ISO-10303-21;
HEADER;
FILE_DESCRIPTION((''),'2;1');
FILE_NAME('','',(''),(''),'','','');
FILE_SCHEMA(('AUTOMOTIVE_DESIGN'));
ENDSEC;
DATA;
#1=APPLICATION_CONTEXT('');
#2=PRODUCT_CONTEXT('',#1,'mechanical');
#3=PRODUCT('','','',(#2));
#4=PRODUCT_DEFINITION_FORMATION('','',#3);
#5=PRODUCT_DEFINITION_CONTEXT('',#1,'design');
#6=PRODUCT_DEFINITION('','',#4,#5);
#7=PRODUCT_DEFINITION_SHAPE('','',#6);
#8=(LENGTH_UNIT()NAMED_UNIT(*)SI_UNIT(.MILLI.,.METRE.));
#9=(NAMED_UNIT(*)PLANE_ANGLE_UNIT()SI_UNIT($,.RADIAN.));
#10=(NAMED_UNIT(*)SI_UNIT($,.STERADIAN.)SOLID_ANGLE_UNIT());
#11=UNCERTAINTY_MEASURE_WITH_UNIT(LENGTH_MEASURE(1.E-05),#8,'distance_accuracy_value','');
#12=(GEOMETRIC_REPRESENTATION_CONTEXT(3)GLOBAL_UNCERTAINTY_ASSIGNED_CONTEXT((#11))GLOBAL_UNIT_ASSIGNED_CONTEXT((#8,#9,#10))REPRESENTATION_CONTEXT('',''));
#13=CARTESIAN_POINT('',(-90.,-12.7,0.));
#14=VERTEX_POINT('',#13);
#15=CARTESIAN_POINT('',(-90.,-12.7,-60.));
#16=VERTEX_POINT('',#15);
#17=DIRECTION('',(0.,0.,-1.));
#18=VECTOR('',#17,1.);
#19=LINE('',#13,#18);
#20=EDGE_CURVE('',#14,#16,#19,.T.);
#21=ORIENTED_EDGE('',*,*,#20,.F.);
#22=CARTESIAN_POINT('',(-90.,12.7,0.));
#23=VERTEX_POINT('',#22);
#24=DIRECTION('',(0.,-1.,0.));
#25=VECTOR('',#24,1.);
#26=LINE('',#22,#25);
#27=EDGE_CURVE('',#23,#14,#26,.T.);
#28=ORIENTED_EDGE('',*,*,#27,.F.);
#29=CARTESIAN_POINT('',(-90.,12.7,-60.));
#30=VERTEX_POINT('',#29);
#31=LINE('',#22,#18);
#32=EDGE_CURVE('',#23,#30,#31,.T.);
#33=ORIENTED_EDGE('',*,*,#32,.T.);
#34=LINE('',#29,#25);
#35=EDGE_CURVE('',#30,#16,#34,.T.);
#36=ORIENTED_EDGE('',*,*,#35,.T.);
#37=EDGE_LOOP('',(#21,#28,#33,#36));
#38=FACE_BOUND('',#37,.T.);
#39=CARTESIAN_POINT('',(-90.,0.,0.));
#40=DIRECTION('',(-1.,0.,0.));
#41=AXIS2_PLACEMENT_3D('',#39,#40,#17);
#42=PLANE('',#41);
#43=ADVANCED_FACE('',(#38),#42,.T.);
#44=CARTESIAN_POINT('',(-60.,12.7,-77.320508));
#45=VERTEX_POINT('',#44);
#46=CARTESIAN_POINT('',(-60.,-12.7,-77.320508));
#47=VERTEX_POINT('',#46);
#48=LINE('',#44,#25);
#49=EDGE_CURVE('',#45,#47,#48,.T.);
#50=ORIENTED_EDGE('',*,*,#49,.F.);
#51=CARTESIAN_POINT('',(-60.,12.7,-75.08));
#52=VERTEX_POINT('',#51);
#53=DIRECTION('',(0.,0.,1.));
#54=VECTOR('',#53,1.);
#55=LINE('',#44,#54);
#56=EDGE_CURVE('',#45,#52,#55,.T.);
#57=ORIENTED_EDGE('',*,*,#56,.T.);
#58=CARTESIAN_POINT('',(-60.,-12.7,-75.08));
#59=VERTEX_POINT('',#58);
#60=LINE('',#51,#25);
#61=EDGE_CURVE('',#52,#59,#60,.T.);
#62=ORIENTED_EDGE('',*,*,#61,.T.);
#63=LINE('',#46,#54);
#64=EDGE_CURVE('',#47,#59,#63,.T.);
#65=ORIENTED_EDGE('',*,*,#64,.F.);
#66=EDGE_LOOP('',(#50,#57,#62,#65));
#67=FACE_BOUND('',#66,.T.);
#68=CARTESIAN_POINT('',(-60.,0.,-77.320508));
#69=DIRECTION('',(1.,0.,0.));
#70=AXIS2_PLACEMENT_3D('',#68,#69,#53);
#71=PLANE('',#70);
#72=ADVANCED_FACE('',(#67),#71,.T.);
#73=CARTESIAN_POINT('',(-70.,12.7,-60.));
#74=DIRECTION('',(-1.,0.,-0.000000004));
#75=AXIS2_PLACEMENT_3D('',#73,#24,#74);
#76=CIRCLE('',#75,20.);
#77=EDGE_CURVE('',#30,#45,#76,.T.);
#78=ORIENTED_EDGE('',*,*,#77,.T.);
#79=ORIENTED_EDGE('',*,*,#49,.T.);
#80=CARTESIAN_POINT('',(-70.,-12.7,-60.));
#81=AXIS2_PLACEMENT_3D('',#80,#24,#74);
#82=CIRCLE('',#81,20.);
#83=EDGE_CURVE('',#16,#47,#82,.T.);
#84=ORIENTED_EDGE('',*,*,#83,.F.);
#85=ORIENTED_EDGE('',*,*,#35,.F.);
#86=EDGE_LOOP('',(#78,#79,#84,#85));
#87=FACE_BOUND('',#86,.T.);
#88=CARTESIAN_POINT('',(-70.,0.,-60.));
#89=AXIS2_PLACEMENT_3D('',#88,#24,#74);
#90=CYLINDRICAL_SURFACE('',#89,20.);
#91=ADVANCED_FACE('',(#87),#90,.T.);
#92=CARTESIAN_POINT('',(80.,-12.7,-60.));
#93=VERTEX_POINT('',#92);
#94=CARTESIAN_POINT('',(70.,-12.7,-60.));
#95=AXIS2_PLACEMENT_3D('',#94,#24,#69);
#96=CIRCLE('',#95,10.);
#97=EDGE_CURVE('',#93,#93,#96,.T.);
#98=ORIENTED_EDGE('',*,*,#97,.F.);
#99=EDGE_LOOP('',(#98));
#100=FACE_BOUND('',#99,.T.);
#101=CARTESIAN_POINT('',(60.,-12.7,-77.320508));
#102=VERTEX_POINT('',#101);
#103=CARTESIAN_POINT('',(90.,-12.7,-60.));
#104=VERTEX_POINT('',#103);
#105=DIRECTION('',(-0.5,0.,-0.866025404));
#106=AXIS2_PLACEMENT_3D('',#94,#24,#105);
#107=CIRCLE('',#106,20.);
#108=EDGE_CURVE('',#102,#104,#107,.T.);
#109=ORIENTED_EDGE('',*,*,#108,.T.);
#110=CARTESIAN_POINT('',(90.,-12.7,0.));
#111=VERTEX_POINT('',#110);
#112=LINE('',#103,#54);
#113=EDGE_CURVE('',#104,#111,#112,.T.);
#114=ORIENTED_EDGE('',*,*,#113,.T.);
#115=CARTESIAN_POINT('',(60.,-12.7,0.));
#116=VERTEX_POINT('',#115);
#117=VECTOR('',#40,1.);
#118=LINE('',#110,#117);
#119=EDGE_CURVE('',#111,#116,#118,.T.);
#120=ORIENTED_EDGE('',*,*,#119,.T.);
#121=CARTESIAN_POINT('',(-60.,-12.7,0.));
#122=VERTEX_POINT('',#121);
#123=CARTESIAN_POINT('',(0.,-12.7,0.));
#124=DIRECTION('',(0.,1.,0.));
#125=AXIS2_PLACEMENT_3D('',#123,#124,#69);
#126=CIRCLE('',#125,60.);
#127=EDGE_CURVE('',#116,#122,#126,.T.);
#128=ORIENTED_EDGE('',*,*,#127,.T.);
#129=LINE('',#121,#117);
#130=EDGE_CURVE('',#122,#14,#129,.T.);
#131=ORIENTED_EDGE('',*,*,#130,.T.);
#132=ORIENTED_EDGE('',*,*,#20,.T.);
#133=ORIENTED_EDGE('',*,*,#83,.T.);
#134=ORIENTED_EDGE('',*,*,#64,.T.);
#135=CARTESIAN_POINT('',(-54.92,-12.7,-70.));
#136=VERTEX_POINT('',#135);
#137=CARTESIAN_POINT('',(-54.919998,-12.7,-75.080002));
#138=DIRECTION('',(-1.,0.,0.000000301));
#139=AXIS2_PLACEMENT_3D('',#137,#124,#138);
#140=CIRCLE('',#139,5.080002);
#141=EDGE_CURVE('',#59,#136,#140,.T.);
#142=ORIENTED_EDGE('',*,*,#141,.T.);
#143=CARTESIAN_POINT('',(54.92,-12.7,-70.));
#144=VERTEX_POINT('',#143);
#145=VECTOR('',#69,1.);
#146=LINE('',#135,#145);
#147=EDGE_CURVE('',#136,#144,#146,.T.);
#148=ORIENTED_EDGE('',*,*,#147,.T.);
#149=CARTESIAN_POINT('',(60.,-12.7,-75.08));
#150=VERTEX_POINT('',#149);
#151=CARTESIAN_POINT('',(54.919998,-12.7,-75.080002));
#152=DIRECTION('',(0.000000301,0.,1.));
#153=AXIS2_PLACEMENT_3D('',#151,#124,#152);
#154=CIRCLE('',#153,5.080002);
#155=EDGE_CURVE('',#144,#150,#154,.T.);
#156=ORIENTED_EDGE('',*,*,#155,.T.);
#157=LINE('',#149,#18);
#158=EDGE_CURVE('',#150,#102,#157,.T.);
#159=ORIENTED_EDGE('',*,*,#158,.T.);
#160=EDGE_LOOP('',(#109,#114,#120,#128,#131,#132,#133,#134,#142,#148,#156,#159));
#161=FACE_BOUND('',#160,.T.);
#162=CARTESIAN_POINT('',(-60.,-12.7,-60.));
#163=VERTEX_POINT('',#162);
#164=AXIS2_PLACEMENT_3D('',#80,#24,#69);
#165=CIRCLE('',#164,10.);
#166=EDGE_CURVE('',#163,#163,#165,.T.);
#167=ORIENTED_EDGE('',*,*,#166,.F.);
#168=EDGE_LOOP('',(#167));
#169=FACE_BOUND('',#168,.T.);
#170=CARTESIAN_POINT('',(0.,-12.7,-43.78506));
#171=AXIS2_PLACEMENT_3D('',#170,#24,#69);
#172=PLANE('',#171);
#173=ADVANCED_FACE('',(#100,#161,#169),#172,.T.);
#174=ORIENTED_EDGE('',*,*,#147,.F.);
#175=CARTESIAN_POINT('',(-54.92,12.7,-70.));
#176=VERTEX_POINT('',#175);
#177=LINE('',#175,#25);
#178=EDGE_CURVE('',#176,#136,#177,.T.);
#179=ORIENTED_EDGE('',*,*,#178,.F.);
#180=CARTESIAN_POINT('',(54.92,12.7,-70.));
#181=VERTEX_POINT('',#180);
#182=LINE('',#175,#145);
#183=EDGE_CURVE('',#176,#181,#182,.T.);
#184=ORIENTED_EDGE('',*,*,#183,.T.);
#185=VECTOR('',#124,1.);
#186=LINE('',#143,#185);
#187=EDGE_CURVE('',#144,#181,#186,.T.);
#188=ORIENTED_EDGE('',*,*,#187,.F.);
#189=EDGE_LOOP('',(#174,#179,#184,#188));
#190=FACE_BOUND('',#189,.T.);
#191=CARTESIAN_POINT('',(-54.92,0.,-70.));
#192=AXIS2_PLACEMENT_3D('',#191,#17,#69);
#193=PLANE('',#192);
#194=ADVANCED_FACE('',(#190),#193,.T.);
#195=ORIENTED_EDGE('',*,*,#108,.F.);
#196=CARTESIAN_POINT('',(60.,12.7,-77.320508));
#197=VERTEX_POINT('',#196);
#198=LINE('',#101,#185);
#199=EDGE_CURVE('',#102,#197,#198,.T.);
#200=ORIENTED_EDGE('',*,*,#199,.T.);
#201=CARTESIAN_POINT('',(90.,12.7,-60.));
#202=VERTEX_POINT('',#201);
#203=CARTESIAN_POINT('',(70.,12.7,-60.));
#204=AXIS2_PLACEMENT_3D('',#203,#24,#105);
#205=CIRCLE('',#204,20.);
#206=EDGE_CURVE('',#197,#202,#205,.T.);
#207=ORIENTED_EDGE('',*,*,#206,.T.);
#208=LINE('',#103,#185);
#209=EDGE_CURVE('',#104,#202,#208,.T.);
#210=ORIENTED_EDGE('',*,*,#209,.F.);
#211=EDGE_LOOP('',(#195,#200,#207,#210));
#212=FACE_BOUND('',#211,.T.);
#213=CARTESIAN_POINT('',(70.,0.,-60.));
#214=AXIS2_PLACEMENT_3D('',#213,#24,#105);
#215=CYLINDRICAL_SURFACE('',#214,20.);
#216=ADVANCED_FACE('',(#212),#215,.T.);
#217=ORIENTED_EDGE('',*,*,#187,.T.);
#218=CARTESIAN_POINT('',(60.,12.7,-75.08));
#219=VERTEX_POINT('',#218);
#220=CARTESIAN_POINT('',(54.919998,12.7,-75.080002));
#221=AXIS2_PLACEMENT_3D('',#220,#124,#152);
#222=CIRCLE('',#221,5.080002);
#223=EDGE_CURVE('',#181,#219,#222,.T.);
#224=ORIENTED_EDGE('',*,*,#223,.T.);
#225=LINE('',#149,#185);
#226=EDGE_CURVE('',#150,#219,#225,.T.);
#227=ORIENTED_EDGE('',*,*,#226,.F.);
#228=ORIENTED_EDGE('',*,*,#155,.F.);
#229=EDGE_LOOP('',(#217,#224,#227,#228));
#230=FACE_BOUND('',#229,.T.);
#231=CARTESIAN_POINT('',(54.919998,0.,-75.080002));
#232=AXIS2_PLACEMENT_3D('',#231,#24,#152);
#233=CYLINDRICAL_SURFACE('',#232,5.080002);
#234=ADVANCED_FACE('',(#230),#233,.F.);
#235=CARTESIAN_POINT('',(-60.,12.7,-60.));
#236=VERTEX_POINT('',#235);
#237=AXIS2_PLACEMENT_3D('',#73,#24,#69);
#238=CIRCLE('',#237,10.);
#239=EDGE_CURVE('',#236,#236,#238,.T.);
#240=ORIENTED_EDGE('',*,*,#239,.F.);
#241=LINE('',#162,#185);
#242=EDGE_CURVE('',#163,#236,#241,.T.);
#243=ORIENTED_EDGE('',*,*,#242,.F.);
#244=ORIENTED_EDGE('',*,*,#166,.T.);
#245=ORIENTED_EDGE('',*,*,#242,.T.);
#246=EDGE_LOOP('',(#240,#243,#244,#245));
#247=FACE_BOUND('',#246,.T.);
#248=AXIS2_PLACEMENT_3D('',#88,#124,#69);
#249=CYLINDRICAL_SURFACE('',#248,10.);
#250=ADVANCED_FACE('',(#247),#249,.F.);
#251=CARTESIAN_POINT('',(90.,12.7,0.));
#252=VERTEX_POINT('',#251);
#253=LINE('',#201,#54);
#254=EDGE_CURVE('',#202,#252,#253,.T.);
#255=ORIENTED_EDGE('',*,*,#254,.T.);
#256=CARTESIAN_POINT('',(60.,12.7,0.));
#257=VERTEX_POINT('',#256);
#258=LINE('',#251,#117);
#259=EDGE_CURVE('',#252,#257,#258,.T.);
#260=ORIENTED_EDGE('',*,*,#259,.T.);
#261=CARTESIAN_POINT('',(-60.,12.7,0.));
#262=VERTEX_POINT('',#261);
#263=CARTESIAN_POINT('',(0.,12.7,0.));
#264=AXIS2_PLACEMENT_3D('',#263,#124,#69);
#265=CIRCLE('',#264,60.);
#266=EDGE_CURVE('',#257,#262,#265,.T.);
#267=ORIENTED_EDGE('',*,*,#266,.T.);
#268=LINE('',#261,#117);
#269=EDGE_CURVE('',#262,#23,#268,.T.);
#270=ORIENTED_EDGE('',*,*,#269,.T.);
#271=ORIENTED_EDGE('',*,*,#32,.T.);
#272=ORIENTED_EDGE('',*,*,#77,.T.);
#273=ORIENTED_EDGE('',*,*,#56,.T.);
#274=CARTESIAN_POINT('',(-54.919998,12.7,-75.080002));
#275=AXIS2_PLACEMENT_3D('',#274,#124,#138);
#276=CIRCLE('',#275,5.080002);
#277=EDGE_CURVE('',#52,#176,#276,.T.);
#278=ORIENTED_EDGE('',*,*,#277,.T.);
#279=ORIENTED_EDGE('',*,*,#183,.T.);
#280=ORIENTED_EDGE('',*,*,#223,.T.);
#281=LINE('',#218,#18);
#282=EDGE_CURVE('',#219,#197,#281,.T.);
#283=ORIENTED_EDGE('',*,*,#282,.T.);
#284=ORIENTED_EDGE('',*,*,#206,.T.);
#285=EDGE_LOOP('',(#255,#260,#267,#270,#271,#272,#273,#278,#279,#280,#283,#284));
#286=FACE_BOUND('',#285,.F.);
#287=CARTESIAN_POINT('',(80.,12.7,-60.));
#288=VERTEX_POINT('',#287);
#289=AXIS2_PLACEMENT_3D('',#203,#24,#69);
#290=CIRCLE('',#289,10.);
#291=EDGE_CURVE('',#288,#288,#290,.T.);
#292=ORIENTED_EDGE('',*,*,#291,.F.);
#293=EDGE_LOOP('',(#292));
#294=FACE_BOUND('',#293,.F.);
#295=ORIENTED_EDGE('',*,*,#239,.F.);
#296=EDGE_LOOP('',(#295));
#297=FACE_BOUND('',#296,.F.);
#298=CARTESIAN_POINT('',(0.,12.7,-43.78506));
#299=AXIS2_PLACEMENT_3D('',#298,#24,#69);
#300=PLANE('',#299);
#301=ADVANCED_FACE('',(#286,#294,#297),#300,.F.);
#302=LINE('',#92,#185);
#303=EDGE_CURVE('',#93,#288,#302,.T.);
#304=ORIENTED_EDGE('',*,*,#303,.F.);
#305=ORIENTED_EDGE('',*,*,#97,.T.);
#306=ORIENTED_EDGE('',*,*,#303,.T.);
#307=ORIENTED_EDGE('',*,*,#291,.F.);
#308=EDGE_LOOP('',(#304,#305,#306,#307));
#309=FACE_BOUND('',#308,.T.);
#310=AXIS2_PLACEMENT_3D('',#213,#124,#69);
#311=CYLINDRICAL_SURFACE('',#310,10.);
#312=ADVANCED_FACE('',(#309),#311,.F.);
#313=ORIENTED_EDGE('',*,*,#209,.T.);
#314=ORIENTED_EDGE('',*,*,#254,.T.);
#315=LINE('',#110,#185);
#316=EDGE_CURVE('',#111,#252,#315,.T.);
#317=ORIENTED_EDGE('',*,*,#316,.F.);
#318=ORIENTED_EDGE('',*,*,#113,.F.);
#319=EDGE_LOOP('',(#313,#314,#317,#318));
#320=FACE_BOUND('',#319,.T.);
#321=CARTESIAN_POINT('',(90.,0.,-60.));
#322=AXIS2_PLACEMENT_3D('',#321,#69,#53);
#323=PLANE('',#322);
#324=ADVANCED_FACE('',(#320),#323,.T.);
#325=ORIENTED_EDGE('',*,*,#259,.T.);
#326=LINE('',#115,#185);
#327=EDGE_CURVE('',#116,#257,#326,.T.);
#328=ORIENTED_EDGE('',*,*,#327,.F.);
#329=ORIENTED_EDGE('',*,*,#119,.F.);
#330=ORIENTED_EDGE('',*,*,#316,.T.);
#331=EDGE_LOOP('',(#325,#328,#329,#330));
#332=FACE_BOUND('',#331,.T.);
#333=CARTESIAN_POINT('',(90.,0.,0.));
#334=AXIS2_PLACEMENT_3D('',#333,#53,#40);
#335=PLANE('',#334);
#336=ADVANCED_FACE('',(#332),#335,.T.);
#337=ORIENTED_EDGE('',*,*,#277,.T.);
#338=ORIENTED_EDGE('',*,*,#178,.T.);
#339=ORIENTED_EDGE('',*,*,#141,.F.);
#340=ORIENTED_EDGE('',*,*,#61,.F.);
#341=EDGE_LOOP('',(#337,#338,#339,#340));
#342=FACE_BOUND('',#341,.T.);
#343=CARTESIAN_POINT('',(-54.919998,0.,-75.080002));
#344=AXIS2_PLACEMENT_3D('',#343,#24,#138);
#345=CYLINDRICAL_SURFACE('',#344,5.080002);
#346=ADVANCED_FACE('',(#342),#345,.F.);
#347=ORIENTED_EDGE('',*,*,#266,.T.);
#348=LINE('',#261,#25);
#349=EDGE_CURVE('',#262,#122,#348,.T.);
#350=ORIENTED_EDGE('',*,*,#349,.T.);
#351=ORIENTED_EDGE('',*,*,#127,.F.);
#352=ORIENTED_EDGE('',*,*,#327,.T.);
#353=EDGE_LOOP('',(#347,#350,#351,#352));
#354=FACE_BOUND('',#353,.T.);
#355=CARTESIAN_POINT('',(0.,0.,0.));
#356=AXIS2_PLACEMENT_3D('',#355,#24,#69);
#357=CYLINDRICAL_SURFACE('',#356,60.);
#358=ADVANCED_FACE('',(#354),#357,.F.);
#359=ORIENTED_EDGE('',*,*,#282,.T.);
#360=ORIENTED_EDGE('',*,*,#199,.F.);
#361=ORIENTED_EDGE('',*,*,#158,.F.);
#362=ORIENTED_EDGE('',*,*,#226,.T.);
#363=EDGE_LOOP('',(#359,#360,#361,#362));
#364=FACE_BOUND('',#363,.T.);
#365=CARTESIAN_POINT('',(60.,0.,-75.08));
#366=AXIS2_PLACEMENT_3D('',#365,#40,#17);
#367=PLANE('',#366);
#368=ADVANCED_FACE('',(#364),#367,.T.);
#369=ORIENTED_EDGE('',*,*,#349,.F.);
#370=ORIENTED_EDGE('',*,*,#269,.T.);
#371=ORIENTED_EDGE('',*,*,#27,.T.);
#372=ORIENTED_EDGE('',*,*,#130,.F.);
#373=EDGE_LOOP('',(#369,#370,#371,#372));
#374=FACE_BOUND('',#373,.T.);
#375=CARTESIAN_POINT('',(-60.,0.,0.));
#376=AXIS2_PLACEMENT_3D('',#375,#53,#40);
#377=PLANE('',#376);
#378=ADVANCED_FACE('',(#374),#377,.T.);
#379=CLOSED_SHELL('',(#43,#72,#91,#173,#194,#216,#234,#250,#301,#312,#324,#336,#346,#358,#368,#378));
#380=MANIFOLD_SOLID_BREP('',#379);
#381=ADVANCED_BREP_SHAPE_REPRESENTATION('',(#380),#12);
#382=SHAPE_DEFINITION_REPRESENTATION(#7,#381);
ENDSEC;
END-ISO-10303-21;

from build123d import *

# Parameters (mm, degrees)
F0_R     = 10
F1_DEPTH = 12.7


with BuildPart() as f1:
    # F0 (on Front) → F1 (new body, symmetric)
    with BuildSketch(Plane.XZ):
        with BuildLine():
            ThreePointArc((60, 0), (0, -60), (-60, 0))
            Line((-60, 0), (-90, 0))
            Line((-90, 0), (-90, -60))
            ThreePointArc((-90, -60), (-80, -77.320508), (-60, -77.320508))
            Line((-60, -77.320508), (-60, -75.08))
            ThreePointArc((-60, -75.08), (-58.512102, -71.487898), (-54.92, -70))
            Line((-54.92, -70), (0, -70))
            Line((0, -70), (54.92, -70))
            ThreePointArc((54.92, -70), (58.512102, -71.487898), (60, -75.08))
            Line((60, -75.08), (60, -77.320508))
            ThreePointArc((60, -77.320508), (80, -77.320508), (90, -60))
            Line((90, -60), (90, 0))
            Line((90, 0), (60, 0))
        make_face()
        with Locations((-70, -60)):
            Circle(F0_R, mode=Mode.SUBTRACT)
        with Locations((70, -60)):
            Circle(F0_R, mode=Mode.SUBTRACT)
    extrude(amount=F1_DEPTH, both=True)


solid = f1.part
